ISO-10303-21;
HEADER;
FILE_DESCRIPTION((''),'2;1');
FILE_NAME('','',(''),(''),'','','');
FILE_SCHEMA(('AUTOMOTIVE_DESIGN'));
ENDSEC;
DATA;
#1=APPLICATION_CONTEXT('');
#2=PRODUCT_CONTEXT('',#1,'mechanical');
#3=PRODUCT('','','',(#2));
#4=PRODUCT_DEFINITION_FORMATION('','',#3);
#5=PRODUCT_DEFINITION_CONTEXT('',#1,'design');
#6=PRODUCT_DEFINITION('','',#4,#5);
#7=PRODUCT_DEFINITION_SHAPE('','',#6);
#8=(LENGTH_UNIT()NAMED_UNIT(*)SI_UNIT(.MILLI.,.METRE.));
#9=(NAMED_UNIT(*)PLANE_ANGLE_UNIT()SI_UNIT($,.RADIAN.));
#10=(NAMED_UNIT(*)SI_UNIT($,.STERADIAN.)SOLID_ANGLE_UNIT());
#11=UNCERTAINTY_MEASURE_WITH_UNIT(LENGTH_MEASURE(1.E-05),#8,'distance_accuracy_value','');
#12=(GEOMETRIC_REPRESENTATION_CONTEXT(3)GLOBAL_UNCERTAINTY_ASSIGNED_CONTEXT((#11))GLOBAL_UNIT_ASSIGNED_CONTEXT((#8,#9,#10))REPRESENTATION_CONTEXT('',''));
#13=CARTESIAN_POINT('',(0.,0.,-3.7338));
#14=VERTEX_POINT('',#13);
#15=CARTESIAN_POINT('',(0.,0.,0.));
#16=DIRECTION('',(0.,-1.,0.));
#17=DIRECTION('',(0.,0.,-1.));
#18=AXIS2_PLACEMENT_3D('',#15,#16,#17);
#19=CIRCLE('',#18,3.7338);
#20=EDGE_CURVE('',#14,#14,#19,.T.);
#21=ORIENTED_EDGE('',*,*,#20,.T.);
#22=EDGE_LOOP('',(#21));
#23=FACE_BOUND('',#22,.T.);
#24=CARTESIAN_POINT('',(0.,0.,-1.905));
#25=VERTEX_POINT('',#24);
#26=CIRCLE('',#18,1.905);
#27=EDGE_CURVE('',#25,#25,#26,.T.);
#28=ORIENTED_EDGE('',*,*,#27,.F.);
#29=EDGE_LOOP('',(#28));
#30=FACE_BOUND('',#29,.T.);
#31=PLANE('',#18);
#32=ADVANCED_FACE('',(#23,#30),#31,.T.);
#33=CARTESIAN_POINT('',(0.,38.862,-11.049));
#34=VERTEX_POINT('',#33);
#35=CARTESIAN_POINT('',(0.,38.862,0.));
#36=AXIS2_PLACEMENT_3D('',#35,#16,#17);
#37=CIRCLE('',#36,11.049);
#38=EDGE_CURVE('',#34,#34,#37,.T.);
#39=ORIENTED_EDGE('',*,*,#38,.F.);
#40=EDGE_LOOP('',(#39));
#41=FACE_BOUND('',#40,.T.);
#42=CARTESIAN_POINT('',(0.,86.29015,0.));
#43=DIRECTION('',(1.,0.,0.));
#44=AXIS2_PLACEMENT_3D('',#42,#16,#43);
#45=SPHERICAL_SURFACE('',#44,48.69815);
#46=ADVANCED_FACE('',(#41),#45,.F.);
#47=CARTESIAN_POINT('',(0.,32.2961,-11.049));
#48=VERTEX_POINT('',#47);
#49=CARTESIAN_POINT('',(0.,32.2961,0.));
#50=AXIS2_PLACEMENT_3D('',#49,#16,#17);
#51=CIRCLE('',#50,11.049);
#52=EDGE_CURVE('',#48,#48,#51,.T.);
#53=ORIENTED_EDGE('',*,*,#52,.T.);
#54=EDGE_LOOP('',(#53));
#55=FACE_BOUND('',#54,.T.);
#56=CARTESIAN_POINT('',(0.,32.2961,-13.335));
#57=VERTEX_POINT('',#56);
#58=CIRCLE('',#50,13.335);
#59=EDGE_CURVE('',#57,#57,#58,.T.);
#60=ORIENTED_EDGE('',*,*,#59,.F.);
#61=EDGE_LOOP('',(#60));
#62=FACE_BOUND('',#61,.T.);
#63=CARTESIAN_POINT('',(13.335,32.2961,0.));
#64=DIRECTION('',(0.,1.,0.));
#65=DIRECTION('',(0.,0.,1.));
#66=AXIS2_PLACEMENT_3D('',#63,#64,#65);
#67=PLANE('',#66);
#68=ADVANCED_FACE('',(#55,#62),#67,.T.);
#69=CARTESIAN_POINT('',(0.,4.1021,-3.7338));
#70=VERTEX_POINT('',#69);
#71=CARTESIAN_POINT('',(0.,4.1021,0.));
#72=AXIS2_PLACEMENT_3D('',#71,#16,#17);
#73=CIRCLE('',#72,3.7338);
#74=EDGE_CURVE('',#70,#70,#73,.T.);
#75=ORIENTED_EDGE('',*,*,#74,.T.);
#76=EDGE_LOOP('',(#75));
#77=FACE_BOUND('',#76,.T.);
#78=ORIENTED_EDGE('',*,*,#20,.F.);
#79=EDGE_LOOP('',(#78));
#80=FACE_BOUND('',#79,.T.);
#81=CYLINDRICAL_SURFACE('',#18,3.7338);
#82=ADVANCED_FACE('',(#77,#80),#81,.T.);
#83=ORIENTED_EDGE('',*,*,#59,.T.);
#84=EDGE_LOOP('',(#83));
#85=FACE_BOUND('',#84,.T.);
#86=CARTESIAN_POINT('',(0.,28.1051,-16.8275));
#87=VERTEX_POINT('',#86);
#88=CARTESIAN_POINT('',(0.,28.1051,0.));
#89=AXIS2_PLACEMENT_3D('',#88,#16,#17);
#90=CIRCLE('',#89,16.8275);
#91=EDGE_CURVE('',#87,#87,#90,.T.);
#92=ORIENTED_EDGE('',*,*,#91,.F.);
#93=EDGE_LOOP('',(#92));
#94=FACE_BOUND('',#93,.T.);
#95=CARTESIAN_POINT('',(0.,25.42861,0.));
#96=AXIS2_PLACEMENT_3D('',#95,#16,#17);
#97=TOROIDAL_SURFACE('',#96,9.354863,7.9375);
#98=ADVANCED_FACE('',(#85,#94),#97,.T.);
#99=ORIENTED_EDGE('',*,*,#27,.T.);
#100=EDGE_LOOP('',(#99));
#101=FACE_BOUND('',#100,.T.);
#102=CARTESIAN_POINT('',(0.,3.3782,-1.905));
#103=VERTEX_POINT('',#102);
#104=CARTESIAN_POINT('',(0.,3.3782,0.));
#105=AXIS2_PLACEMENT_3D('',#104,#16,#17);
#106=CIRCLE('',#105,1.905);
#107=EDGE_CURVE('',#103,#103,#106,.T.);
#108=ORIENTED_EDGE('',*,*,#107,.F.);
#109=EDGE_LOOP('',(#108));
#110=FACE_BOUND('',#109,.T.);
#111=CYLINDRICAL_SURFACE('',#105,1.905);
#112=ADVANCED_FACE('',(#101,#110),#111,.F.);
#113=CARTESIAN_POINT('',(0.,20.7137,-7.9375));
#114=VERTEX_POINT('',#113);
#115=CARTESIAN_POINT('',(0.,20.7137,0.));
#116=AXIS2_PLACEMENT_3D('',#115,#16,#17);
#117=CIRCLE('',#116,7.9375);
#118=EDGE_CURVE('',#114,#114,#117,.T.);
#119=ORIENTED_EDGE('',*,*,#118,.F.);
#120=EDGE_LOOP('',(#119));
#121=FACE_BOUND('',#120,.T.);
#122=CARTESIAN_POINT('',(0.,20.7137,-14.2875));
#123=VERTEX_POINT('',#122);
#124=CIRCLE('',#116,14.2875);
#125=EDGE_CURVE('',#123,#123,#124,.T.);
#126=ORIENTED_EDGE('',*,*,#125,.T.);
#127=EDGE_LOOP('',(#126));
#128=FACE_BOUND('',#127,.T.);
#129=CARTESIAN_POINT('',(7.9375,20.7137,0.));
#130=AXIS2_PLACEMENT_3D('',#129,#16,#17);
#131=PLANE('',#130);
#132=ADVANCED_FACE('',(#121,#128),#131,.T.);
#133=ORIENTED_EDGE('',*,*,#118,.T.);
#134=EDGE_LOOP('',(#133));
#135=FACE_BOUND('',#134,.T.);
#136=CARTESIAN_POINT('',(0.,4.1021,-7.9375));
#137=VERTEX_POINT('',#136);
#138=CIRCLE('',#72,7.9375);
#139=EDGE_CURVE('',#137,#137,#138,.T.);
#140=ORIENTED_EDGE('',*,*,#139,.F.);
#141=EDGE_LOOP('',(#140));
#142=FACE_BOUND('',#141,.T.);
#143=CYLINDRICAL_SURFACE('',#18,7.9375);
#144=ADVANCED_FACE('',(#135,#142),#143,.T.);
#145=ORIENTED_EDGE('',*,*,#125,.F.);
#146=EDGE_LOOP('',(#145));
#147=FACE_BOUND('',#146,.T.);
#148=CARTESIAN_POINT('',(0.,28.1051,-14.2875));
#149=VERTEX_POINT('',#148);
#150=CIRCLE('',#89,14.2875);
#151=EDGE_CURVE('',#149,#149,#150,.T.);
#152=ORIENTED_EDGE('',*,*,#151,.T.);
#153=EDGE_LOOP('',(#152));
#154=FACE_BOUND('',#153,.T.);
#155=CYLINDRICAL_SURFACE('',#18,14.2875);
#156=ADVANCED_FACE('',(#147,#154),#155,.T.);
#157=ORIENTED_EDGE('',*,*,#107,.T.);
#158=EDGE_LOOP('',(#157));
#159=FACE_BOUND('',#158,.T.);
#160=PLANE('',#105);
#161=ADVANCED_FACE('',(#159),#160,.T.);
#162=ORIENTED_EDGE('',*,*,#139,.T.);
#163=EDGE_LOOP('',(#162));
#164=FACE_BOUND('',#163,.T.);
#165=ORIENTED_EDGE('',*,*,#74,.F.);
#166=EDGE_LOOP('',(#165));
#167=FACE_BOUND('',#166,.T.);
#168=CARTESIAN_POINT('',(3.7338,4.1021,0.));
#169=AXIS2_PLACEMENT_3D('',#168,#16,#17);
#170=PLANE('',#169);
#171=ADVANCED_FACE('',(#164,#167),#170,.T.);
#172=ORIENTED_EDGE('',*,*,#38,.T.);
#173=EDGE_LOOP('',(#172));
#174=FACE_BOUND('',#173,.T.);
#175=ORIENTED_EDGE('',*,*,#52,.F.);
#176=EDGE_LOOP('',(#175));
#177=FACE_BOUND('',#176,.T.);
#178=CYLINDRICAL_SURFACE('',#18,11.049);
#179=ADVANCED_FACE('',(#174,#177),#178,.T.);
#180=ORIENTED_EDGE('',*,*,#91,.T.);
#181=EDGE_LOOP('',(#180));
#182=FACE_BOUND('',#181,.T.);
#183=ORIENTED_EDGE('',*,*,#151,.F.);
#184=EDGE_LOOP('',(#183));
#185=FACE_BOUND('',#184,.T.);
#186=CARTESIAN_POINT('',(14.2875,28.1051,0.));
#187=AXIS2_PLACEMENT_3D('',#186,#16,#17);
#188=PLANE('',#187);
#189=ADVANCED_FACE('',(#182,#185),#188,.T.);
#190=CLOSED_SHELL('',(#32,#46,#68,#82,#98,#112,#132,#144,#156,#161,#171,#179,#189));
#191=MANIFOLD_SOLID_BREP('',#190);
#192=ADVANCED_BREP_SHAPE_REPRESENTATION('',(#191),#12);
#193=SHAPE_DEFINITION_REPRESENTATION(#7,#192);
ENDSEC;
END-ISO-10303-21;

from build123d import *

# Parameters (mm, degrees)
SKETCH2_R          = 1.905
CUT_EXTRUDE1_DEPTH = 3.3782


with BuildPart() as part:
    # Sketch1 → Revolve1 (revolve)
    with BuildSketch(Plane.XY, mode=Mode.PRIVATE) as revolve1_sk:
        with BuildLine():
            Line((0, 0), (0, 37.592))
            ThreePointArc((0, 37.592), (5.560874504, 37.910541815), (11.049, 38.862))
            Line((11.049, 38.862), (11.049, 32.2961))
            Line((11.049, 32.2961), (13.335, 32.2961))
            ThreePointArc((13.335, 32.2961), (15.452618981, 30.510074151), (16.8275, 28.1051))
            Line((16.8275, 28.1051), (14.2875, 28.1051))
            Line((14.2875, 28.1051), (14.2875, 20.7137))
            Line((14.2875, 20.7137), (7.9375, 20.7137))
            Line((7.9375, 20.7137), (7.9375, 4.1021))
            Line((7.9375, 4.1021), (3.7338, 4.1021))
            Line((3.7338, 4.1021), (3.7338, 0))
            Line((3.7338, 0), (0, 0))
        make_face()
    revolve(revolve1_sk.sketch.rotate(Axis((0, 0, 0), (0, 1, 0)), 90), axis=Axis((0, 0, 0), (0, 1, 0)))

    # Sketch2 → Cut-Extrude1 (cut)
    with BuildSketch(Plane.XZ):
        with Locations(Location((0, 0, 0), (0, 0, 270))):
            Circle(SKETCH2_R)
    extrude(amount=-CUT_EXTRUDE1_DEPTH, mode=Mode.SUBTRACT)


solid = part.part
